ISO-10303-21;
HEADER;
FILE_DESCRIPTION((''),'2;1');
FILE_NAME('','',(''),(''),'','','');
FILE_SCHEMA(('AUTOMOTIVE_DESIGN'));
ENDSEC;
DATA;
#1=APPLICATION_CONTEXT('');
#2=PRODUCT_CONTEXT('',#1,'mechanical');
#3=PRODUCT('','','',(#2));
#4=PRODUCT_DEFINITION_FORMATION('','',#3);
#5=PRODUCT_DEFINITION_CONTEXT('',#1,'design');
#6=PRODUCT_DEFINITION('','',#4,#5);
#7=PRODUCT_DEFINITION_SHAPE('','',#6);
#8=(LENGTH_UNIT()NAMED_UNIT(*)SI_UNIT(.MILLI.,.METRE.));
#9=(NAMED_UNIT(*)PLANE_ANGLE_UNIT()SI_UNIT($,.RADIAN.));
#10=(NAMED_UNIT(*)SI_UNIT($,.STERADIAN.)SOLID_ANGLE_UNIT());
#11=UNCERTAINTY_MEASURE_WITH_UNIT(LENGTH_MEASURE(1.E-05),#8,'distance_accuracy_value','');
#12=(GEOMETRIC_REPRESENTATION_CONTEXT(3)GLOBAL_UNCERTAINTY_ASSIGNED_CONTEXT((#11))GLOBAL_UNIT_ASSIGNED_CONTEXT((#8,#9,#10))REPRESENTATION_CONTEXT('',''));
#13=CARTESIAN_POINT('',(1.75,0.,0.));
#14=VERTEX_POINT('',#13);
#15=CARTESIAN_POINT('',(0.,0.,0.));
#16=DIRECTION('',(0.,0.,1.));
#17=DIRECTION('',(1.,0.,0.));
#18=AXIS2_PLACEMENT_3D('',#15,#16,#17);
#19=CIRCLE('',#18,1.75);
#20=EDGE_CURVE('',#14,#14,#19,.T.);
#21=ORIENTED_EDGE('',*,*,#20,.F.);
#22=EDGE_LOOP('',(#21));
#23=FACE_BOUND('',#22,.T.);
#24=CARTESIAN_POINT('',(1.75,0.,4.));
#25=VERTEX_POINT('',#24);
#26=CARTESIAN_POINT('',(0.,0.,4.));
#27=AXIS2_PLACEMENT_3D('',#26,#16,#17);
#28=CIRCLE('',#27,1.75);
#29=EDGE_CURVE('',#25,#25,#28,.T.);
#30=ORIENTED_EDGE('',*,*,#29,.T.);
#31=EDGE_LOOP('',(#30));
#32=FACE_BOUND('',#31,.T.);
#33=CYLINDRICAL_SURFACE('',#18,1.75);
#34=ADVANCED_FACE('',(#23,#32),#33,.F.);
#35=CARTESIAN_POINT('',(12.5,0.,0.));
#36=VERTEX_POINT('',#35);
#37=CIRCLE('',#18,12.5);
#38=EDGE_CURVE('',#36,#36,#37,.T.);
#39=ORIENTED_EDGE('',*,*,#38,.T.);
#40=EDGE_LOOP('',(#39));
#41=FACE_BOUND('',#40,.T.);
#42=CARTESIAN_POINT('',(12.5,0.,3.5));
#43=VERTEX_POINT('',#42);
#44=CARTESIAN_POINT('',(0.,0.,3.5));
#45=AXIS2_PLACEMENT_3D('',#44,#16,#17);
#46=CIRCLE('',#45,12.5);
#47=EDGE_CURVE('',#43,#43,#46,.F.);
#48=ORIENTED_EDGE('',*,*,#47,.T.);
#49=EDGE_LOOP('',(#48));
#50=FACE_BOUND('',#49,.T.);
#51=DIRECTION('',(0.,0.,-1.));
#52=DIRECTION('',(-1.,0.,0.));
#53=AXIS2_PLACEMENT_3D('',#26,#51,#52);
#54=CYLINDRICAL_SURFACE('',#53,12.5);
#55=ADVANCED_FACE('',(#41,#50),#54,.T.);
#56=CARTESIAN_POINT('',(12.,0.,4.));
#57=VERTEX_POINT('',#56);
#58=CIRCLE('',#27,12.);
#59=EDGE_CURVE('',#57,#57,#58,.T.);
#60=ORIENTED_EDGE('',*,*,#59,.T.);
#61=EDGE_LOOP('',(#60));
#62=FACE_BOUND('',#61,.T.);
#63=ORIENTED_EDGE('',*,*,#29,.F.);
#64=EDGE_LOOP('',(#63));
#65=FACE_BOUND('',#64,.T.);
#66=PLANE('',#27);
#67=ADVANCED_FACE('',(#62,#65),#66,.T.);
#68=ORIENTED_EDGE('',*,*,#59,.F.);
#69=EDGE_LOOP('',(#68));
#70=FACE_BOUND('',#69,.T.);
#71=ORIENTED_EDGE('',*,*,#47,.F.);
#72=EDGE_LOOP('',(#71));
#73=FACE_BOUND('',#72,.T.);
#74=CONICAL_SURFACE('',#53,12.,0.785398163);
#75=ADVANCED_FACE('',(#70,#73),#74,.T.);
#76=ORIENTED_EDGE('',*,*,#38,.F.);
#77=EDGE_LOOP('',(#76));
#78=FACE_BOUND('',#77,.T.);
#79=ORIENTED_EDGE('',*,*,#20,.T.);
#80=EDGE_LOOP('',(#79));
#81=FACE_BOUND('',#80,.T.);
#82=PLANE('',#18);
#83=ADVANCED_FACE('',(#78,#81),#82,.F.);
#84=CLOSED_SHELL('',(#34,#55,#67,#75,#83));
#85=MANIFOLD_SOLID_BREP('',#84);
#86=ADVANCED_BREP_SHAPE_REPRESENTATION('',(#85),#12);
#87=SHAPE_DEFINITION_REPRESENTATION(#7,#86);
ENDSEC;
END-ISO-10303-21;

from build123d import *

# Parameters (mm, degrees)
SKETCH1_R           = 12.5
BOSS_EXTRUDE1_DEPTH = 4
CHAMFER1_SIZE       = 0.5
SKETCH7_R           = 1.25
CUT_EXTRUDE1_DEPTH  = 19.12456896
SKETCH10_R          = 1.75
CUT_EXTRUDE2_DEPTH  = 19.12456896


with BuildPart() as part:
    # Sketch1 → Boss-Extrude1 (new body)
    with BuildSketch(Plane.XY):
        Circle(SKETCH1_R)
    extrude(amount=BOSS_EXTRUDE1_DEPTH)

    # Chamfer1
    chamfer1_edges = [part.edges().sort_by_distance(p)[0] for p in [
        (-12.5, 0, 4),
    ]]
    chamfer(chamfer1_edges, length=CHAMFER1_SIZE)

    # Sketch7 → Cut-Extrude1 (cut, through all)
    with BuildSketch(Plane.XY.offset(4)):
        Circle(SKETCH7_R)
    extrude(amount=-CUT_EXTRUDE1_DEPTH, mode=Mode.SUBTRACT)

    # Sketch10 → Cut-Extrude2 (cut, through all)
    with BuildSketch(Plane.XY.offset(4)):
        Circle(SKETCH10_R)
    extrude(amount=-CUT_EXTRUDE2_DEPTH, mode=Mode.SUBTRACT)


solid = part.part
